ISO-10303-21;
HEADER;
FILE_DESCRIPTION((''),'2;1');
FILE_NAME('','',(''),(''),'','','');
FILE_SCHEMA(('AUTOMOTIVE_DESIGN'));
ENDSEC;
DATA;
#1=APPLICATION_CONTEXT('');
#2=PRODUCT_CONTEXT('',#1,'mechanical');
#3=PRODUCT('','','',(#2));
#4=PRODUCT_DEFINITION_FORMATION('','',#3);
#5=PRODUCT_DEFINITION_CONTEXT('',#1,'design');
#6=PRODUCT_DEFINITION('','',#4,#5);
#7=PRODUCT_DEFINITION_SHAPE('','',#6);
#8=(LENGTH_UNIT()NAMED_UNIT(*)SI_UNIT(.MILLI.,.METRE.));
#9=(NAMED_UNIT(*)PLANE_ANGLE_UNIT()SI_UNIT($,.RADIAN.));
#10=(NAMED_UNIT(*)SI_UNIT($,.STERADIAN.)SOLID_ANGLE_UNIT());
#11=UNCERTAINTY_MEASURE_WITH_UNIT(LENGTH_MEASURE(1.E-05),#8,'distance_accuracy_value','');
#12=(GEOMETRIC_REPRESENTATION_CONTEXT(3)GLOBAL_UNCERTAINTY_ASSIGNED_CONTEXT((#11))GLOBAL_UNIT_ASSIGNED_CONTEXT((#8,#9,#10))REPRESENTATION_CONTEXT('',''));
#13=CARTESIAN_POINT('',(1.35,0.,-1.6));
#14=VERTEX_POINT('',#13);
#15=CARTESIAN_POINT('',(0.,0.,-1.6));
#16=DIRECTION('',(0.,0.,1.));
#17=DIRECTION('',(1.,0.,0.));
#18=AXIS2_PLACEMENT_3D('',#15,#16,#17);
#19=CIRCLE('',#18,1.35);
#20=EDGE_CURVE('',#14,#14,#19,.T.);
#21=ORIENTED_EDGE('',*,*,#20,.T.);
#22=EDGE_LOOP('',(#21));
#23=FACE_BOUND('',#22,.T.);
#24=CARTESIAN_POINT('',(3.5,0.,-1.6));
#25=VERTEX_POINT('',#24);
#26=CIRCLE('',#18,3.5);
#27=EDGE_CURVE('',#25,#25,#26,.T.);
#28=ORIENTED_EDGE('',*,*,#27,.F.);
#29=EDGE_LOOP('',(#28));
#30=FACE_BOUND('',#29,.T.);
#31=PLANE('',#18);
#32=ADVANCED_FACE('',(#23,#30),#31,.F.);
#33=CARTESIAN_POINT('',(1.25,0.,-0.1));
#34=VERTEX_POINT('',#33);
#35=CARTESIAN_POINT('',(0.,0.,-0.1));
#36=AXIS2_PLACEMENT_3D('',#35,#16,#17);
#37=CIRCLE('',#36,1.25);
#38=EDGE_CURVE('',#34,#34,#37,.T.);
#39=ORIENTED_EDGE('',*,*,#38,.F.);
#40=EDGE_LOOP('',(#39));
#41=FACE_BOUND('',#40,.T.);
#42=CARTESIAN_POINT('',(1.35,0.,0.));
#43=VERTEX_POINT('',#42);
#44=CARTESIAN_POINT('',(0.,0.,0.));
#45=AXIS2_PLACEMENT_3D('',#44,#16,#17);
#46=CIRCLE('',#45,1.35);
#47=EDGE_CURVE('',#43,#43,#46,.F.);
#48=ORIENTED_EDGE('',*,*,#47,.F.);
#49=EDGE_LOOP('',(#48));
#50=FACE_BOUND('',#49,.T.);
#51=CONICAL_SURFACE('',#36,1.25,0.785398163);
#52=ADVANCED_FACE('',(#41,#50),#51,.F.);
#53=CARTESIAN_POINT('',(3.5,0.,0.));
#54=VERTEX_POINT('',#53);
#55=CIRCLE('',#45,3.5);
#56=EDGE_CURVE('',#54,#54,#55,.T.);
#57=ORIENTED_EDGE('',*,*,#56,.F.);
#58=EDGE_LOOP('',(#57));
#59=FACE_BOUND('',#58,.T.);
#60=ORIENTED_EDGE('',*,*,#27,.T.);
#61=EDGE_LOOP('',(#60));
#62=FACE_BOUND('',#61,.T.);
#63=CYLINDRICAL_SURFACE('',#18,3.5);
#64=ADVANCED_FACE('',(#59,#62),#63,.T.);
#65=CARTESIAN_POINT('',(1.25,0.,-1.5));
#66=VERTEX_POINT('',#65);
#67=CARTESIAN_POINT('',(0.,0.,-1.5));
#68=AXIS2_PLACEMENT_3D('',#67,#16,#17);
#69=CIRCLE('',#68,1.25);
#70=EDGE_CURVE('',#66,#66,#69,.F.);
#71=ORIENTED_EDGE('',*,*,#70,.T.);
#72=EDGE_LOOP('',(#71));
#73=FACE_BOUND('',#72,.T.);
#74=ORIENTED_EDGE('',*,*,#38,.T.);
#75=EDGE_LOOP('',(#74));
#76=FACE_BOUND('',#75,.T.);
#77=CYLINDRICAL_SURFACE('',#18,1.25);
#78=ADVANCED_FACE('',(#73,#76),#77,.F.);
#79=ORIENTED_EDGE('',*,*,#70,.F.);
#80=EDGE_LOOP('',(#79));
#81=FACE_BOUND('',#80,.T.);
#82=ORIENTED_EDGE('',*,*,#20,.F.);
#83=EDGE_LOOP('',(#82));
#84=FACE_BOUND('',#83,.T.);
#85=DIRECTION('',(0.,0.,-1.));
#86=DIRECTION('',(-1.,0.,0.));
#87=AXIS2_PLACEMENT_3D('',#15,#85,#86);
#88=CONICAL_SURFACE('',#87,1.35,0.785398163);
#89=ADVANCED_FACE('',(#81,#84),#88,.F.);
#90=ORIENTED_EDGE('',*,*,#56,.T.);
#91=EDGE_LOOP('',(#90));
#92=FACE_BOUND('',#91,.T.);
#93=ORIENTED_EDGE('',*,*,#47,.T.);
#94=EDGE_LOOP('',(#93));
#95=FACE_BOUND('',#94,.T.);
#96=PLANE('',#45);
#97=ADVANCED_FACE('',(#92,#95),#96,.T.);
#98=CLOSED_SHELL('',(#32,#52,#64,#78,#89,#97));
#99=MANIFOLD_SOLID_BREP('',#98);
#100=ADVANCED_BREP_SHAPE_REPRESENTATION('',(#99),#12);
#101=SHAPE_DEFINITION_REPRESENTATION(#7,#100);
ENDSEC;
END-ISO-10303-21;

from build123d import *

# Parameters (mm, degrees)
SKETCH1_R           = 3.5
BOSS_EXTRUDE1_DEPTH = 1.6
SKETCH2_R           = 1.25
CUT_EXTRUDE1_DEPTH  = 2.6
CHAMFER1_SIZE       = 0.1


with BuildPart() as part:
    # Sketch1 → Boss-Extrude1 (new body)
    with BuildSketch(Plane.XY):
        Circle(SKETCH1_R)
    extrude(amount=-BOSS_EXTRUDE1_DEPTH)

    # Sketch2 → Cut-Extrude1 (cut, through all)
    with BuildSketch(Plane.XY):
        Circle(SKETCH2_R)
    extrude(amount=-CUT_EXTRUDE1_DEPTH, mode=Mode.SUBTRACT)

    # Chamfer1
    chamfer1_edges = [part.edges().sort_by_distance(p)[0] for p in [
        (-1.25, 0, -1.6),
        (-1.25, 0, 0),
    ]]
    chamfer(chamfer1_edges, length=CHAMFER1_SIZE)


solid = part.part
